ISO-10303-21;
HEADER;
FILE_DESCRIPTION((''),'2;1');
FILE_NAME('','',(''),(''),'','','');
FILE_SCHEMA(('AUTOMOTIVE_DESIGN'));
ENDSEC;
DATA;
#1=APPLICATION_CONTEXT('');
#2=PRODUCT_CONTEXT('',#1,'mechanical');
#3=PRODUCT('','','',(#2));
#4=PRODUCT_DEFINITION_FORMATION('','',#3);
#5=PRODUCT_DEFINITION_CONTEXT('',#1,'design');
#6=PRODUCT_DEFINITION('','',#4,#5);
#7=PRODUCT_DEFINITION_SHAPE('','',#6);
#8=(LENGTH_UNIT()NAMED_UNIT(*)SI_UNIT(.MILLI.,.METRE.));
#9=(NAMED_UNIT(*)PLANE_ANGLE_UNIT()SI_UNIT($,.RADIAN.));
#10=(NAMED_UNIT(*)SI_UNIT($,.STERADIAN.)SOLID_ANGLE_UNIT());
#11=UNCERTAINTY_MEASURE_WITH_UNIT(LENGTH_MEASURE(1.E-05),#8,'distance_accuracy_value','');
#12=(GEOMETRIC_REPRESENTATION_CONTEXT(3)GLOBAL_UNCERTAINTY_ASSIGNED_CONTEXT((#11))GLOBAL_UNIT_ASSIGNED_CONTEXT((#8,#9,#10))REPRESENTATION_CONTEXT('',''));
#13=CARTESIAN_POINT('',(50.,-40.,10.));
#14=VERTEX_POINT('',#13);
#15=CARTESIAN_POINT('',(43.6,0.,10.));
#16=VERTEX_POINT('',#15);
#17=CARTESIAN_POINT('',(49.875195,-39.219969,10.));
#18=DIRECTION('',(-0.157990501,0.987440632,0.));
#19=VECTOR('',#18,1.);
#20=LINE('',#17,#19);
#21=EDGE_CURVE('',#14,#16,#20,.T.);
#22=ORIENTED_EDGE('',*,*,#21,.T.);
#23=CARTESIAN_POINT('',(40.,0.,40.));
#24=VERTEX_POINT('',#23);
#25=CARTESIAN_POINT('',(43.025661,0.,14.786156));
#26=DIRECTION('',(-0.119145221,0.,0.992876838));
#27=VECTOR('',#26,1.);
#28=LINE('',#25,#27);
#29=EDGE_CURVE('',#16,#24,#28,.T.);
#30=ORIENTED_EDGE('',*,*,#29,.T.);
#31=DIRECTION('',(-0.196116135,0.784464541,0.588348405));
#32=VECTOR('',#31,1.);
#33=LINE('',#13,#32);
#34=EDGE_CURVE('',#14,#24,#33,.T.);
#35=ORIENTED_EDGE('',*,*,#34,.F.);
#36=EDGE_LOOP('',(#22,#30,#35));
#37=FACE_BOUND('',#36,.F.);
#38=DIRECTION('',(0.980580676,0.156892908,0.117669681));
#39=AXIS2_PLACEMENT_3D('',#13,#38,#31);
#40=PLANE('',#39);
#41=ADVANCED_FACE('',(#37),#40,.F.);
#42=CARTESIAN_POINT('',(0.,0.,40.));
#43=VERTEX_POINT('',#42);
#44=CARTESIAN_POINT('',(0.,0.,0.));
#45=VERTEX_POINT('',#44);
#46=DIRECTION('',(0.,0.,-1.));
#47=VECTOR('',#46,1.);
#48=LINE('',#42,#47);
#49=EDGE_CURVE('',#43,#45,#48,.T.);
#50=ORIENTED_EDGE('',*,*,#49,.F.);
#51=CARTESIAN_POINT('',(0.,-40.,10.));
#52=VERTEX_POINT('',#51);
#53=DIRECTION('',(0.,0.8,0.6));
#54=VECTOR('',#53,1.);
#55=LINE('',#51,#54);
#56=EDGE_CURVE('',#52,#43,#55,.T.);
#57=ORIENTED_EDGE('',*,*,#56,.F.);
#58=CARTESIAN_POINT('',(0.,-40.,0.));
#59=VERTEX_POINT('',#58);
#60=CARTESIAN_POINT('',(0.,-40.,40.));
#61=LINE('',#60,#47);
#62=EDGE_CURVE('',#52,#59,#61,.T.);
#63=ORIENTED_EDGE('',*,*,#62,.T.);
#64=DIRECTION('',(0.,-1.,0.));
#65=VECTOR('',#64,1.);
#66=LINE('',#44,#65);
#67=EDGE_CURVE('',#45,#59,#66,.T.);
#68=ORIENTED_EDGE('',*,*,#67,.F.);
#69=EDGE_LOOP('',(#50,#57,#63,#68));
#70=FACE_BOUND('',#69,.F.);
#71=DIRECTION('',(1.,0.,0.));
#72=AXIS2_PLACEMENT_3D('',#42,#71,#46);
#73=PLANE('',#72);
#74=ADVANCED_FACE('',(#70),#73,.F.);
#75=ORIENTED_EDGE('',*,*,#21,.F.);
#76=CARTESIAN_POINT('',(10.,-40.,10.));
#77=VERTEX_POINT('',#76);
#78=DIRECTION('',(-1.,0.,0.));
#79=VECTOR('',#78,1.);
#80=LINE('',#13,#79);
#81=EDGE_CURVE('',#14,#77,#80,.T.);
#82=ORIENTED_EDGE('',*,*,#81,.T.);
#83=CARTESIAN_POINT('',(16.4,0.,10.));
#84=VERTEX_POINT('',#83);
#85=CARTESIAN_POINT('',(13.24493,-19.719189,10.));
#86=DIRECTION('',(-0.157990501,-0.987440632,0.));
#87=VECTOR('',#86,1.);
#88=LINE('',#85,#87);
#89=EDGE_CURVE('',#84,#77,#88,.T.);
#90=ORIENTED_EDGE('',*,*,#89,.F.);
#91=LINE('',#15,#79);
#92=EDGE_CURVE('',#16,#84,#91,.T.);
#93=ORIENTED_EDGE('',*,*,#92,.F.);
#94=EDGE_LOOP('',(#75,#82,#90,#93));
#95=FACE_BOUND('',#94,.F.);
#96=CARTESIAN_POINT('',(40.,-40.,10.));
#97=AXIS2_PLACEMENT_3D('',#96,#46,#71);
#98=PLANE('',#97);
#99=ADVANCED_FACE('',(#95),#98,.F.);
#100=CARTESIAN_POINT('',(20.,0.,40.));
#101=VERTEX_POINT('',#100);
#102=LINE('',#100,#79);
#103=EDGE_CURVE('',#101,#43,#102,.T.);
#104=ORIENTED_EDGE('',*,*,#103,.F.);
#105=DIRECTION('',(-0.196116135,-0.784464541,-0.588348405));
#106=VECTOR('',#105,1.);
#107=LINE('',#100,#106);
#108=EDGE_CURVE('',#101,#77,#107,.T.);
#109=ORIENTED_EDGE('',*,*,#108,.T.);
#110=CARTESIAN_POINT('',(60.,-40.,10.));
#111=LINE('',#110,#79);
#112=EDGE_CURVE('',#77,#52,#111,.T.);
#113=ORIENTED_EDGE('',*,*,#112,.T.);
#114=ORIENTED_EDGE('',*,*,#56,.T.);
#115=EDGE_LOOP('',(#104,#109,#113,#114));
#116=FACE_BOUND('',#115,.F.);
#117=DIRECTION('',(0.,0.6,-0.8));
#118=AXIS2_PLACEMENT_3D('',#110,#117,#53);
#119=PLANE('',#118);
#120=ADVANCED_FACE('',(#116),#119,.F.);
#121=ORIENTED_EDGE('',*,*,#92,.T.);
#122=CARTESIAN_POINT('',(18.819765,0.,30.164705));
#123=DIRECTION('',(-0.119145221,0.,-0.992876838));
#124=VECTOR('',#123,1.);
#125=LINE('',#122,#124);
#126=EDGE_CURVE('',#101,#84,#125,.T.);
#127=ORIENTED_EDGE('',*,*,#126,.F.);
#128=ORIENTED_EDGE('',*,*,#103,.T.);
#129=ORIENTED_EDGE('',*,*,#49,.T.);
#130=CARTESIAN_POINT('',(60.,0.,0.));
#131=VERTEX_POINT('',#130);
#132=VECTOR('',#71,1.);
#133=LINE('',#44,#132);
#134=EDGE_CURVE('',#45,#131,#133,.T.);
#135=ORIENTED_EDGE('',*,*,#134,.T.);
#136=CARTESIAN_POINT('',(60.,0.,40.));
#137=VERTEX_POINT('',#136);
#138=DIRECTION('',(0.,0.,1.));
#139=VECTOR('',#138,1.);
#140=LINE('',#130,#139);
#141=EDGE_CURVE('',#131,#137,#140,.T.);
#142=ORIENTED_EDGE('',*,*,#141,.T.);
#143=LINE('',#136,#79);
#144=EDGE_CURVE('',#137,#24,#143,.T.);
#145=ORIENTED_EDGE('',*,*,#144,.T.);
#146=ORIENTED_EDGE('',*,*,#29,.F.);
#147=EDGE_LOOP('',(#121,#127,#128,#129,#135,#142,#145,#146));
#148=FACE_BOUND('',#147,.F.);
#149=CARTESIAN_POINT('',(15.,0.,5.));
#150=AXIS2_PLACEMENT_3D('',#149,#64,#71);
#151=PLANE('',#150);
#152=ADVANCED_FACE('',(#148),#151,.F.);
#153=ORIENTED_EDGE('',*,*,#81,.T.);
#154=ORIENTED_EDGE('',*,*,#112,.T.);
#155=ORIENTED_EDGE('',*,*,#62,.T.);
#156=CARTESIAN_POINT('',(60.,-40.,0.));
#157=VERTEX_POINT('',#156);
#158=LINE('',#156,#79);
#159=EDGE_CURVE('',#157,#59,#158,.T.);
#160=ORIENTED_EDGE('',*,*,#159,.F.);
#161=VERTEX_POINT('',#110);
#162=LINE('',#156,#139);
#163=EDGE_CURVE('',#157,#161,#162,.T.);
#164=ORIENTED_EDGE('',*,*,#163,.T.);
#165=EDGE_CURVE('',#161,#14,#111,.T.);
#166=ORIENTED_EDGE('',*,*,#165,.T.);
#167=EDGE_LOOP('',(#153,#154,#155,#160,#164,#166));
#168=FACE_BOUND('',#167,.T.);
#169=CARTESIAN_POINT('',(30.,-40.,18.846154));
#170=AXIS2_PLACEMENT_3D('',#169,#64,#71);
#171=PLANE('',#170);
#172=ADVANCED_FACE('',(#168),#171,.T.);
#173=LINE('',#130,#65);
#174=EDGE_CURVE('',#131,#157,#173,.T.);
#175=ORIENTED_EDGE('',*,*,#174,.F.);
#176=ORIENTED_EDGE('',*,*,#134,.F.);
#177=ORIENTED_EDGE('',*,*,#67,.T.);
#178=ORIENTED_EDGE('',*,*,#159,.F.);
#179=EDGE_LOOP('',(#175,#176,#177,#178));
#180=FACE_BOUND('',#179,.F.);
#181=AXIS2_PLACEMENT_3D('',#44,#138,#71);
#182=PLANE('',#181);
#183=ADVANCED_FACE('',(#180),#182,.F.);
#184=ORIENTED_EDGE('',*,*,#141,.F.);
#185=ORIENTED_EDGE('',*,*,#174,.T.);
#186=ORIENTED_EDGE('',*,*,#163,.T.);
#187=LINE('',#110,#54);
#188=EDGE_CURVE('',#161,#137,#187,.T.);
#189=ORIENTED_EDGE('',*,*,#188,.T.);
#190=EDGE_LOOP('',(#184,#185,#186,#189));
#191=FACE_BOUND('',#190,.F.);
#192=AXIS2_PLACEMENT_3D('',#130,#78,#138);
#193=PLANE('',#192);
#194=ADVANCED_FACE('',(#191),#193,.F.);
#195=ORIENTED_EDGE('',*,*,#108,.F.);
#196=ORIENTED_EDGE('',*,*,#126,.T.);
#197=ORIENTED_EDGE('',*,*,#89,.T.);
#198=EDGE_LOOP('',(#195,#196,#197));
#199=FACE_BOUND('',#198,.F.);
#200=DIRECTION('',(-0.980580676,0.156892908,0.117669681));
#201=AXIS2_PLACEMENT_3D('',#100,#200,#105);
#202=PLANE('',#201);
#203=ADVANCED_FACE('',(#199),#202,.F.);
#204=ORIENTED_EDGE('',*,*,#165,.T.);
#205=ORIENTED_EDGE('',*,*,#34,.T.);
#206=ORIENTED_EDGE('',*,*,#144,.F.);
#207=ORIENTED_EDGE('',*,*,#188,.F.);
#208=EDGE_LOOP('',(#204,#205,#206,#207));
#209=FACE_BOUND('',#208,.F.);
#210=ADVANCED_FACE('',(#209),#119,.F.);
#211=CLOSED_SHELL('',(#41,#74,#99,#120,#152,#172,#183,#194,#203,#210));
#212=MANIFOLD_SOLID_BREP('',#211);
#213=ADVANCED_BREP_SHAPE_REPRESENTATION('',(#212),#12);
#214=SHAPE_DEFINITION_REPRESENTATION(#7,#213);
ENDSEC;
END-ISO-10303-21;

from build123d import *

# Parameters (mm, degrees)
F1_DEPTH  = 40
F3_DEPTH  = 60
F5_DEPTH  = 40
F7_DEPTH  = 40
F8_W      = 10
F8_H      = 10
F9_DEPTH  = 40
F10_W     = 10
F10_H     = 10
F11_DEPTH = 40


with BuildPart() as f1:
    # F0 (on Front) → F1 (new body)
    with BuildSketch(Plane.XZ):
        Polygon((0, 40), (0, 0), (60, 0), (60, 40), (40, 40), (40, 10), (20, 10), (20, 40), align=None)
    extrude(amount=F1_DEPTH)

    # F2 (on face) → F3 (cut)
    with BuildSketch(Plane.YZ.offset(60)):
        Polygon((-40, 10), (0, 40), (-40, 40), align=None)
    extrude(amount=-F3_DEPTH, mode=Mode.SUBTRACT)

    # F4 (on face) → F5 (cut)
    with BuildSketch(Plane(origin=(0, -19.2, 25.6), x_dir=(1, 0, 0), z_dir=(0, -0.6, 0.8))):
        Polygon((20, -26), (20, 24), (10, -26), align=None)
    extrude(amount=-F5_DEPTH, mode=Mode.SUBTRACT)

    # F6 (on face) → F7 (cut)
    with BuildSketch(Plane(origin=(0, -19.2, 25.6), x_dir=(1, 0, 0), z_dir=(0, -0.6, 0.8))):
        Polygon((50, -26), (40, 24), (40, -26), align=None)
    extrude(amount=-F7_DEPTH, mode=Mode.SUBTRACT)

    # F8 (on face) → F9 (join)
    with BuildSketch(Plane.XZ.offset(40)):
        with Locations((15, 5)):
            Rectangle(F8_W, F8_H)
    extrude(amount=-F9_DEPTH)

    # F10 (on face) → F11 (join)
    with BuildSketch(Plane.XZ.offset(40)):
        with Locations((45, 5)):
            Rectangle(F10_W, F10_H)
    extrude(amount=-F11_DEPTH)


solid = f1.part
